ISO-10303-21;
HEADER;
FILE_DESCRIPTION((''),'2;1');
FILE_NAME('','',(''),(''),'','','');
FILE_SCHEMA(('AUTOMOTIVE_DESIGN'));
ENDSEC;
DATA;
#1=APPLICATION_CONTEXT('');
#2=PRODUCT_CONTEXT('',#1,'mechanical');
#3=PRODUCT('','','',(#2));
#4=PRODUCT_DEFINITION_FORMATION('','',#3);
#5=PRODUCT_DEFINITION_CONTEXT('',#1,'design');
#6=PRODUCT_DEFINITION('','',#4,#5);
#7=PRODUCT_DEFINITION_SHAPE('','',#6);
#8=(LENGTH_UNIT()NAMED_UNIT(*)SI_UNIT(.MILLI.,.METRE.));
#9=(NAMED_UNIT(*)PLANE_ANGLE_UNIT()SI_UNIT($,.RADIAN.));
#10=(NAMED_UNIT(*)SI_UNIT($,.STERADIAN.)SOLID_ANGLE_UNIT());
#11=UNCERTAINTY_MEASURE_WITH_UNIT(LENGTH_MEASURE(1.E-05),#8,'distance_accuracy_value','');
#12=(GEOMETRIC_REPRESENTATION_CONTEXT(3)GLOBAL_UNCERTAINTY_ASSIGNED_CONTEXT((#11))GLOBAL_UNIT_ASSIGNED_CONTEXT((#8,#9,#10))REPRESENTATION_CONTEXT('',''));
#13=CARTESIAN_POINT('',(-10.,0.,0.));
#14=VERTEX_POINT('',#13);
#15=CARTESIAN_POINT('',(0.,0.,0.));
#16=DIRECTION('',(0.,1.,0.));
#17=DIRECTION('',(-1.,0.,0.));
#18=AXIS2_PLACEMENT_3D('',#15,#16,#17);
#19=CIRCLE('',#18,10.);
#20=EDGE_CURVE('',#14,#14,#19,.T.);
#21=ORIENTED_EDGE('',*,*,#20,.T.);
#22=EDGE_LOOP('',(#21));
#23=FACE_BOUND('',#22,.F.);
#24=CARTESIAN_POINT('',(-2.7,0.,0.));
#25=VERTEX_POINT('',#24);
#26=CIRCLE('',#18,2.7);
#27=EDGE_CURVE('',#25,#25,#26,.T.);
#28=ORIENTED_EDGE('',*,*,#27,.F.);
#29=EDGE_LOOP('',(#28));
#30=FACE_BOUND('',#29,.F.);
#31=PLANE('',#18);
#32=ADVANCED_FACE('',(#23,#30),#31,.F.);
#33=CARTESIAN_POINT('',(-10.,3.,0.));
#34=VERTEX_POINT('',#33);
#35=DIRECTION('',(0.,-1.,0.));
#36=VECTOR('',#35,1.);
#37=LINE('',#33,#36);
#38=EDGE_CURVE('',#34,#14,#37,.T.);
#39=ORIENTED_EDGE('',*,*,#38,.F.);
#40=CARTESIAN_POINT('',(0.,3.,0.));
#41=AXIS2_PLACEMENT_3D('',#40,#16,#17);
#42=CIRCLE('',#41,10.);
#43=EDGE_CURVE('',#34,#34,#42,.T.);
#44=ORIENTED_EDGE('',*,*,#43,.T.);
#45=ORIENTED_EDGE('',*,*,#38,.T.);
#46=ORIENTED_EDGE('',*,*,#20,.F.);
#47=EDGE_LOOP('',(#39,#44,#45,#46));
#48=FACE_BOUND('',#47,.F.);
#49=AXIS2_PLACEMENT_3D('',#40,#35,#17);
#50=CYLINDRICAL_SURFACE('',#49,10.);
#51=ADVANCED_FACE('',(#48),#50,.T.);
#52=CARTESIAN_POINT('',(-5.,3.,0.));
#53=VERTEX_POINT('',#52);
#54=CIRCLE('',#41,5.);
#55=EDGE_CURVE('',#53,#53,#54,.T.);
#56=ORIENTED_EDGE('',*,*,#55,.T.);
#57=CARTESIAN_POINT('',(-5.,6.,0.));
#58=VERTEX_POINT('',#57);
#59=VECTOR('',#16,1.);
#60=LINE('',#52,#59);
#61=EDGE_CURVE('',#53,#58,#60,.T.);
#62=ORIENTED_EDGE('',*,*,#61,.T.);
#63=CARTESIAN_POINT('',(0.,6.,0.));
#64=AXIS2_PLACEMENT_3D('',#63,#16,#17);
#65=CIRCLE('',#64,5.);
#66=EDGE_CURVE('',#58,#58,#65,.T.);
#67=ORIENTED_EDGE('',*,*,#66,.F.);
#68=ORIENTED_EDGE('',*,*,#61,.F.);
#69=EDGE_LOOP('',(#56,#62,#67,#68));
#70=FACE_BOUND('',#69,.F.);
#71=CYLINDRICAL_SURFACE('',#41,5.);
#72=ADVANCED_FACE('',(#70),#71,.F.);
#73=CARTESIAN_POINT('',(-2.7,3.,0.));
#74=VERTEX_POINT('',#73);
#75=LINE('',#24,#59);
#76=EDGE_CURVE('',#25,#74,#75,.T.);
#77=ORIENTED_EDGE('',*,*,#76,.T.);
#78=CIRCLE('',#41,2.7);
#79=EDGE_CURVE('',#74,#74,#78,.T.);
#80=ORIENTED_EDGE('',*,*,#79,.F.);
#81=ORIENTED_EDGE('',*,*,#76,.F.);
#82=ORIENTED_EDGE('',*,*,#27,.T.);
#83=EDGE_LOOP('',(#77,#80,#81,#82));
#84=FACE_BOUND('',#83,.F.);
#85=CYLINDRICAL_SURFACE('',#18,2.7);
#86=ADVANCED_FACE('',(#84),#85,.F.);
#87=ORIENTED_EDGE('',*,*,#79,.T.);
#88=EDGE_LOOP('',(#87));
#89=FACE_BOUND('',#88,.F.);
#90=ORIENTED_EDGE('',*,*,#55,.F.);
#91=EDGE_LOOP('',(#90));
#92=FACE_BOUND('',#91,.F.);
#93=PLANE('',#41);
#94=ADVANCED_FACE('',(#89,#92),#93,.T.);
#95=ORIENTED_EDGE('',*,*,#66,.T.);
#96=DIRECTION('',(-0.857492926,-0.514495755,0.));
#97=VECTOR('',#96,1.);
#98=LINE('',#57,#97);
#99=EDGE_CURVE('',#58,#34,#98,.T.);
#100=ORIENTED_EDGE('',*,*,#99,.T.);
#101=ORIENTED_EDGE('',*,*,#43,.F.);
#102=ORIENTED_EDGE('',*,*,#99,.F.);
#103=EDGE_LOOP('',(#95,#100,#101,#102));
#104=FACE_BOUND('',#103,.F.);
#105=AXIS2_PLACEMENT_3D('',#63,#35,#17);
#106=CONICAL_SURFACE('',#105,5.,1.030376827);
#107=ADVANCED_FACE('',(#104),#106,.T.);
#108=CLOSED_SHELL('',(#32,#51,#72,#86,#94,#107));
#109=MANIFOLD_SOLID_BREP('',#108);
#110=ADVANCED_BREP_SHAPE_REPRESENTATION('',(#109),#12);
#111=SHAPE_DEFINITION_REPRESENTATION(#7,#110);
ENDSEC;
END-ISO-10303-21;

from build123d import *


with BuildPart() as part:
    # Sketch1 → Revolve1 (revolve)
    with BuildSketch(Plane.XY):
        Polygon((-10, 3), (-10, 0), (-2.7, 0), (-2.7, 3), (-5, 3), (-5, 6), align=None)
    revolve(axis=Axis((0, 0, 0), (0, 1, 0)))


solid = part.part
